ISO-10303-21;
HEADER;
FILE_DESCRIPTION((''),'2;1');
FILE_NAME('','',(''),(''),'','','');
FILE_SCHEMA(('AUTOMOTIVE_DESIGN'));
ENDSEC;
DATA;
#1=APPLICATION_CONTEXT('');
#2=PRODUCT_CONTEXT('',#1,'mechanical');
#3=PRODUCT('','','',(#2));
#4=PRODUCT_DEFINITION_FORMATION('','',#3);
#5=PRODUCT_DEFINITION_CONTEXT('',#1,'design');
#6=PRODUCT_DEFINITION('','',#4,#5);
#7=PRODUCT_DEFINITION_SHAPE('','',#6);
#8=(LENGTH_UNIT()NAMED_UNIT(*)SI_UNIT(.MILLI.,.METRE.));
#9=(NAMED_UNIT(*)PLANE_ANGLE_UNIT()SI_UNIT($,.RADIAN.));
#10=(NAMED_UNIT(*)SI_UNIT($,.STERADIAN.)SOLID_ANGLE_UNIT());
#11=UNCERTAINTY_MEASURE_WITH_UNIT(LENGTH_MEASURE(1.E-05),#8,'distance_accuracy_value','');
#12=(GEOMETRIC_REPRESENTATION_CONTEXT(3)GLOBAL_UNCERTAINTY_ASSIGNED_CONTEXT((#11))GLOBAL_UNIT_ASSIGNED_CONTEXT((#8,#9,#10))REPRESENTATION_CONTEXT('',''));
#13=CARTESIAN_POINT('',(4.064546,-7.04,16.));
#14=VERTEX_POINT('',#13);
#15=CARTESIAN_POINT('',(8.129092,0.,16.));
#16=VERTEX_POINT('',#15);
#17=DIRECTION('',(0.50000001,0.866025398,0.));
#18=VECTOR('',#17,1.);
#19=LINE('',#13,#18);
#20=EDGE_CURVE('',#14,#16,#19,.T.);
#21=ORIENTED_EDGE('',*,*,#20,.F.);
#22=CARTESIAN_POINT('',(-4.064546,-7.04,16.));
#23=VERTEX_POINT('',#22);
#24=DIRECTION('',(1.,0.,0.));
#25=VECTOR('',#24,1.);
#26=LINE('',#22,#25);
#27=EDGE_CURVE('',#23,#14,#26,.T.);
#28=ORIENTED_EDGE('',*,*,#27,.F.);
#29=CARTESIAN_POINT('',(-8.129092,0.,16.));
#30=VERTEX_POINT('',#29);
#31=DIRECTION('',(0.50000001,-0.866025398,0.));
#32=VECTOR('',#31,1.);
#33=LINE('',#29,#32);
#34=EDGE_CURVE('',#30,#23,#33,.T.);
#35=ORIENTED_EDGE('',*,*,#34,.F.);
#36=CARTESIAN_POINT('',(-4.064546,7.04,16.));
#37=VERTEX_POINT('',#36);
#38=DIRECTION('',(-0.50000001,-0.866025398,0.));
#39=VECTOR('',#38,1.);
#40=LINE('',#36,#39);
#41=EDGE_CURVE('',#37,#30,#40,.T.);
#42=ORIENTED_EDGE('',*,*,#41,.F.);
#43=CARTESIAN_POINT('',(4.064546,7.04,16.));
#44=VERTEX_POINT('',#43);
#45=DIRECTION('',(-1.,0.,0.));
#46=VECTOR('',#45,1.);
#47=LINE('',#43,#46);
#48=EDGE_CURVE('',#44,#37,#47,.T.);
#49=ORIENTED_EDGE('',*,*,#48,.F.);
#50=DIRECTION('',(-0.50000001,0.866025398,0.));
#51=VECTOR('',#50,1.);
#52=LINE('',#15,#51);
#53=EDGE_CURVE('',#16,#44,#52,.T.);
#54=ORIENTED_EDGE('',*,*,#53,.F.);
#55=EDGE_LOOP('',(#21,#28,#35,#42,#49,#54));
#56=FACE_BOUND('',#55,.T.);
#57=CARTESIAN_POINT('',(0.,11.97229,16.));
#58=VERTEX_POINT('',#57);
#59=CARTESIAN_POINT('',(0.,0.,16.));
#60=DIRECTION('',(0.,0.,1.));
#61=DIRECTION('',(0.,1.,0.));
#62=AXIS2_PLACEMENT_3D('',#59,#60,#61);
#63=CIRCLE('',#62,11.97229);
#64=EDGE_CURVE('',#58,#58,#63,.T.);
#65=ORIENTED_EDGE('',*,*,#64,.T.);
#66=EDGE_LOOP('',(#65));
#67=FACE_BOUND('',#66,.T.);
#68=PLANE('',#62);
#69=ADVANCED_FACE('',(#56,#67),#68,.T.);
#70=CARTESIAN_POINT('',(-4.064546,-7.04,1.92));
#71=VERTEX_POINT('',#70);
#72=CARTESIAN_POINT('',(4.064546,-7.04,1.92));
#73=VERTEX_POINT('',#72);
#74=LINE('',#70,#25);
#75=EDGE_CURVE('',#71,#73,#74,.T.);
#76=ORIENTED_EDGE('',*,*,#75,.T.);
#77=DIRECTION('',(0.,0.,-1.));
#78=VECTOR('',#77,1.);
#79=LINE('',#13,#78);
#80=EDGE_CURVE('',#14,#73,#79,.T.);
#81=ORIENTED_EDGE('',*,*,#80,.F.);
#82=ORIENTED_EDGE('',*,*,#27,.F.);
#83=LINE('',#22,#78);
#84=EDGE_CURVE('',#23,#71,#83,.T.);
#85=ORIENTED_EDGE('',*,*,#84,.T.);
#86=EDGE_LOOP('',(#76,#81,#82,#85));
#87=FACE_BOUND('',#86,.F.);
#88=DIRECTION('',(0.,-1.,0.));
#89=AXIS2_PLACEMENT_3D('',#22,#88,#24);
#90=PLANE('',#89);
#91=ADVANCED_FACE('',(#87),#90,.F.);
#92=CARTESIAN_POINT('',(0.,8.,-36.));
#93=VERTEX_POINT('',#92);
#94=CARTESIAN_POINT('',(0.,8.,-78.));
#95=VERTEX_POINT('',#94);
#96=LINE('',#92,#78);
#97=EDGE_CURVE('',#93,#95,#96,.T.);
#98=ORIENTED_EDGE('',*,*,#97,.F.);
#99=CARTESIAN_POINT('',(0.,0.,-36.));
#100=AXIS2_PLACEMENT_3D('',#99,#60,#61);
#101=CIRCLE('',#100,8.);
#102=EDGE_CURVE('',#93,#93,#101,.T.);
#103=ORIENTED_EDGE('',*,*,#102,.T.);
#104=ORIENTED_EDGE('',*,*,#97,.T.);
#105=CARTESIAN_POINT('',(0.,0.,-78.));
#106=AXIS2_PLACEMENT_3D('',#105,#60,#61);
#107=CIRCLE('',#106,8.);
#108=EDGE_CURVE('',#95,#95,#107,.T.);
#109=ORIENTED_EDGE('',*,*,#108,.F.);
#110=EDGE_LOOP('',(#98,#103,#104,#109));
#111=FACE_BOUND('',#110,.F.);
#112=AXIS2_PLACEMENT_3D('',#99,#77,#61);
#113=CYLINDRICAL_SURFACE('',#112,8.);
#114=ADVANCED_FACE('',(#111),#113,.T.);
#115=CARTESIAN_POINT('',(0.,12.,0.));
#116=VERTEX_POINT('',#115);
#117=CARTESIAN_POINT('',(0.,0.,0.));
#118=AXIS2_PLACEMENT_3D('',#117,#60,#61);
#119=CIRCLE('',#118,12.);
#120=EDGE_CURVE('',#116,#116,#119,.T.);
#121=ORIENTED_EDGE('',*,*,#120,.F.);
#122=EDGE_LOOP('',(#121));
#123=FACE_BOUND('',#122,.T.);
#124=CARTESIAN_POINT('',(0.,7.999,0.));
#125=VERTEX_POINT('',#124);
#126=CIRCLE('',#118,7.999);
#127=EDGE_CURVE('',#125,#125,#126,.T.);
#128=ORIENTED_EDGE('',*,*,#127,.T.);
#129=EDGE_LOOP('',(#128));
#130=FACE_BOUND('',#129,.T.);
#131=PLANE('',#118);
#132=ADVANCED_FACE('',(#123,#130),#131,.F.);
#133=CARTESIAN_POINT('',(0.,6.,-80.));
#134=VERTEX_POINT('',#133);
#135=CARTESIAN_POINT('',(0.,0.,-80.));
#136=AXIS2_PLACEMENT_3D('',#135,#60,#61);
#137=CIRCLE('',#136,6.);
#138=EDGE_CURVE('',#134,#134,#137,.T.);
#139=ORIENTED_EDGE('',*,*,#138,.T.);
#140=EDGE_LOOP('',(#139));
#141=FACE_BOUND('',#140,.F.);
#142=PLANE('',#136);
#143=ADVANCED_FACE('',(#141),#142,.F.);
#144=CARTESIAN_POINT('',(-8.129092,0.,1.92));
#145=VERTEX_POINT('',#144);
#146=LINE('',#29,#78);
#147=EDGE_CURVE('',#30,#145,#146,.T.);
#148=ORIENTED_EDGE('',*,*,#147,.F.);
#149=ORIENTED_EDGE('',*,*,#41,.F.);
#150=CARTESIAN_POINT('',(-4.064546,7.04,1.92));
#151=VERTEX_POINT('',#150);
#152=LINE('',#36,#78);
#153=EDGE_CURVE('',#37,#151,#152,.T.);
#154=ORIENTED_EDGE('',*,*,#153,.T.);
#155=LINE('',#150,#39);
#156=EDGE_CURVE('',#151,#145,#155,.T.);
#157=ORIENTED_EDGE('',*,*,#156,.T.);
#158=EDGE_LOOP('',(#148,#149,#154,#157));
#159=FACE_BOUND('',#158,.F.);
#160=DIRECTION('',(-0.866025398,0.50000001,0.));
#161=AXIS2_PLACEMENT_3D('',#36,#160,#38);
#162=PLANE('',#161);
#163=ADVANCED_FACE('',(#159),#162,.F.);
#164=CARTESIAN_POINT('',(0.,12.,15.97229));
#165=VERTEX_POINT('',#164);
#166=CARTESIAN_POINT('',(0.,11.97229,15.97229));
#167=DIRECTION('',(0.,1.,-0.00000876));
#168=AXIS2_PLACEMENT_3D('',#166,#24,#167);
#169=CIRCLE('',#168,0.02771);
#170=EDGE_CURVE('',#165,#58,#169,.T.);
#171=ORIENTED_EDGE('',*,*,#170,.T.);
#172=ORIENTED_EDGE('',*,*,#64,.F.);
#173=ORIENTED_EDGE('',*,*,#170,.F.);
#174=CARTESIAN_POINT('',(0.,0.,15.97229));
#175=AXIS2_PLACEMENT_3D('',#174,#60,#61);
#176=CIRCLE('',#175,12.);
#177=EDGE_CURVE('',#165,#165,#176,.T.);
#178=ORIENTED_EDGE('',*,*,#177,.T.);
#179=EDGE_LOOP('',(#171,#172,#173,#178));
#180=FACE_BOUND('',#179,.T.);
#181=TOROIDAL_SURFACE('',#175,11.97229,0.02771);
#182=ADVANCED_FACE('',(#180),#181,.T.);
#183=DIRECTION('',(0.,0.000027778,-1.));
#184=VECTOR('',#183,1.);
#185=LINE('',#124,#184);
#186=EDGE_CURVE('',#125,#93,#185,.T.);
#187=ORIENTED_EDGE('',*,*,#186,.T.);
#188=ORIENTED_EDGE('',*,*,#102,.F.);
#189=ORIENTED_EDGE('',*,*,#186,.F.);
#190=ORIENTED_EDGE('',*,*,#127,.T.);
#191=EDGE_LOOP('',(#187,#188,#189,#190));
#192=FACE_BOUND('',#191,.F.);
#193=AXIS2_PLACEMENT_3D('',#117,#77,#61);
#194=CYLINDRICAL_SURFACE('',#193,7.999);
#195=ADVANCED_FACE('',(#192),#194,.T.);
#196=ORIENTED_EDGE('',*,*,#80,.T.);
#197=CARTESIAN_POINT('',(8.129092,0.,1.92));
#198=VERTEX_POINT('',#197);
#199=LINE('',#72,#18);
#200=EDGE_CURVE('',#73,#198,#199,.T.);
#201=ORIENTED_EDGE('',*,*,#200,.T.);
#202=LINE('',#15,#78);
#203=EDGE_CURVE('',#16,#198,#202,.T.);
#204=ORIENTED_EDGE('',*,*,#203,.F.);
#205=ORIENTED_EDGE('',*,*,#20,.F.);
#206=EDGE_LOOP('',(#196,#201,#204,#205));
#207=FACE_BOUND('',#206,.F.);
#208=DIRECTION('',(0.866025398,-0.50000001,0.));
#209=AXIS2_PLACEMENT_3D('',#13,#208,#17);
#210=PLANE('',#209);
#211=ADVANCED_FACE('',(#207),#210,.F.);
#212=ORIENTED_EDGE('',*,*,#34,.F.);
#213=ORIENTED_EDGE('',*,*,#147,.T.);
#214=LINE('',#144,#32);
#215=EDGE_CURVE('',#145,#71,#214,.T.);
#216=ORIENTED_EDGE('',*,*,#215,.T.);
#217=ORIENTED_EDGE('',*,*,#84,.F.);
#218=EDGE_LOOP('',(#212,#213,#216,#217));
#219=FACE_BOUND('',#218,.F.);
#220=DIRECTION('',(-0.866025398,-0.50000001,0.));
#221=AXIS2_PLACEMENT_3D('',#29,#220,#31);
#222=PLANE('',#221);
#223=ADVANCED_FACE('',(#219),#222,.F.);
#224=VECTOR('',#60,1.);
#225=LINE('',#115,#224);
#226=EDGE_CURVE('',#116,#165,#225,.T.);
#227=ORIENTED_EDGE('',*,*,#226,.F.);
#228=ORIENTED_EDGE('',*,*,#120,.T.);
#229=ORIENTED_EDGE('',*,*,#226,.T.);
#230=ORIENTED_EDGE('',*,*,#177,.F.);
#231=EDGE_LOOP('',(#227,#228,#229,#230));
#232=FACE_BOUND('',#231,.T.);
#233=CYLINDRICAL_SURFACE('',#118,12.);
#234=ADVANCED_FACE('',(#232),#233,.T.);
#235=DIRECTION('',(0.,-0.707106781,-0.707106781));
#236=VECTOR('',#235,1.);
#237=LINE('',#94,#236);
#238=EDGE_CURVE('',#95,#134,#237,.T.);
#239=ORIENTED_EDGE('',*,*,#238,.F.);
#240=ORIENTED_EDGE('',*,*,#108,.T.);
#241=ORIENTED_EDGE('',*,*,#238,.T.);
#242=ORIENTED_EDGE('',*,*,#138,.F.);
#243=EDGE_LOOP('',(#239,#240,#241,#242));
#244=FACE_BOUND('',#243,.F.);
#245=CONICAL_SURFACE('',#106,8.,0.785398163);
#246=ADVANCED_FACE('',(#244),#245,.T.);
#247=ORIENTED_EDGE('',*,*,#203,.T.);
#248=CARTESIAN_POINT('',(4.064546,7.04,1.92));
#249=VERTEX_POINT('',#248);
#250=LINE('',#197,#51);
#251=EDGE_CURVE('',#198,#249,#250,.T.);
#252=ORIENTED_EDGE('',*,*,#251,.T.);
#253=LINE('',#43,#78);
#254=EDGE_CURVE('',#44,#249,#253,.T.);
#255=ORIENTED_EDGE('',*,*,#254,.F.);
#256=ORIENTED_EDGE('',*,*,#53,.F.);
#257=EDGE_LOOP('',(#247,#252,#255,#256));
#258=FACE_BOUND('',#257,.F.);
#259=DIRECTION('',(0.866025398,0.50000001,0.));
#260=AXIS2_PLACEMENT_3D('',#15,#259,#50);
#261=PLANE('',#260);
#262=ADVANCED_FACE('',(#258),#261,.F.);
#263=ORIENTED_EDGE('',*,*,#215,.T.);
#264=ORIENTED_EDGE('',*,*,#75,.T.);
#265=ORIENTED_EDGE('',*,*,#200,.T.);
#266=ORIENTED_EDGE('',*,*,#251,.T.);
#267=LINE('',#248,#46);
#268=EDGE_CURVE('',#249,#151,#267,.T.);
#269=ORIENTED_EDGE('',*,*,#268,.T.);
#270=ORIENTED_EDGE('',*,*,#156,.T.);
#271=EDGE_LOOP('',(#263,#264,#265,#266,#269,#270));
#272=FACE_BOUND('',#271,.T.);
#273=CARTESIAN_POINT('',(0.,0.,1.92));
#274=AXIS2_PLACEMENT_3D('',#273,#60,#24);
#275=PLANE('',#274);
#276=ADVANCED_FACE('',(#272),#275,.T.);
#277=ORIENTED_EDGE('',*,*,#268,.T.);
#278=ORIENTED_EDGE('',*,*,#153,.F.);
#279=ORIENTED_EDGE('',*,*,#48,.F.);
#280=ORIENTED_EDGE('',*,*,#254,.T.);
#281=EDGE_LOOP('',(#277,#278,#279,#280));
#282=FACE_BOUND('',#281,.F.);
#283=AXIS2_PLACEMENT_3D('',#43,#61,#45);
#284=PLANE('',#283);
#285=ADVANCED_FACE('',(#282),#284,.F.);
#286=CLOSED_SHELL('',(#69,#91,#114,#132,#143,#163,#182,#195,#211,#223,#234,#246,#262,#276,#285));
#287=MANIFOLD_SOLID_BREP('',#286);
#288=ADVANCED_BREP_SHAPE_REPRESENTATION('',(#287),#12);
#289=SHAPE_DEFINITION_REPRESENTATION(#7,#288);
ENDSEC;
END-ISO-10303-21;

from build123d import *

# Parameters (mm, degrees)
POCKET_DEPTH = 14.08


with BuildPart() as part:
    # Sketch → Revolve (revolve)
    with BuildSketch(Plane.YZ):
        with BuildLine():
            Line((7.999, 0), (12, 0))
            Line((12, 0), (12, 15.97229))
            ThreePointArc((12, 15.97229), (11.991884, 15.991884), (11.97229, 16))
            Line((11.97229, 16), (0, 16))
            Line((0, -80), (0, 16))
            Line((6, -80), (0, -80))
            Line((8, -78), (6, -80))
            Line((8, -36), (8, -78))
            Line((7.999, 0), (8, -36))
        make_face()
    revolve(axis=Axis((0, 0, 0), (0, 0, 1)))

    # Sketch001 → Pocket (cut)
    with BuildSketch(Plane.XY.offset(16)):
        Polygon((8.129092, 0), (4.064546, 7.04), (-4.064546, 7.04), (-8.129092, 0), (-4.064546, -7.04), (4.064546, -7.04), align=None)
    extrude(amount=-POCKET_DEPTH, mode=Mode.SUBTRACT)


solid = part.part
